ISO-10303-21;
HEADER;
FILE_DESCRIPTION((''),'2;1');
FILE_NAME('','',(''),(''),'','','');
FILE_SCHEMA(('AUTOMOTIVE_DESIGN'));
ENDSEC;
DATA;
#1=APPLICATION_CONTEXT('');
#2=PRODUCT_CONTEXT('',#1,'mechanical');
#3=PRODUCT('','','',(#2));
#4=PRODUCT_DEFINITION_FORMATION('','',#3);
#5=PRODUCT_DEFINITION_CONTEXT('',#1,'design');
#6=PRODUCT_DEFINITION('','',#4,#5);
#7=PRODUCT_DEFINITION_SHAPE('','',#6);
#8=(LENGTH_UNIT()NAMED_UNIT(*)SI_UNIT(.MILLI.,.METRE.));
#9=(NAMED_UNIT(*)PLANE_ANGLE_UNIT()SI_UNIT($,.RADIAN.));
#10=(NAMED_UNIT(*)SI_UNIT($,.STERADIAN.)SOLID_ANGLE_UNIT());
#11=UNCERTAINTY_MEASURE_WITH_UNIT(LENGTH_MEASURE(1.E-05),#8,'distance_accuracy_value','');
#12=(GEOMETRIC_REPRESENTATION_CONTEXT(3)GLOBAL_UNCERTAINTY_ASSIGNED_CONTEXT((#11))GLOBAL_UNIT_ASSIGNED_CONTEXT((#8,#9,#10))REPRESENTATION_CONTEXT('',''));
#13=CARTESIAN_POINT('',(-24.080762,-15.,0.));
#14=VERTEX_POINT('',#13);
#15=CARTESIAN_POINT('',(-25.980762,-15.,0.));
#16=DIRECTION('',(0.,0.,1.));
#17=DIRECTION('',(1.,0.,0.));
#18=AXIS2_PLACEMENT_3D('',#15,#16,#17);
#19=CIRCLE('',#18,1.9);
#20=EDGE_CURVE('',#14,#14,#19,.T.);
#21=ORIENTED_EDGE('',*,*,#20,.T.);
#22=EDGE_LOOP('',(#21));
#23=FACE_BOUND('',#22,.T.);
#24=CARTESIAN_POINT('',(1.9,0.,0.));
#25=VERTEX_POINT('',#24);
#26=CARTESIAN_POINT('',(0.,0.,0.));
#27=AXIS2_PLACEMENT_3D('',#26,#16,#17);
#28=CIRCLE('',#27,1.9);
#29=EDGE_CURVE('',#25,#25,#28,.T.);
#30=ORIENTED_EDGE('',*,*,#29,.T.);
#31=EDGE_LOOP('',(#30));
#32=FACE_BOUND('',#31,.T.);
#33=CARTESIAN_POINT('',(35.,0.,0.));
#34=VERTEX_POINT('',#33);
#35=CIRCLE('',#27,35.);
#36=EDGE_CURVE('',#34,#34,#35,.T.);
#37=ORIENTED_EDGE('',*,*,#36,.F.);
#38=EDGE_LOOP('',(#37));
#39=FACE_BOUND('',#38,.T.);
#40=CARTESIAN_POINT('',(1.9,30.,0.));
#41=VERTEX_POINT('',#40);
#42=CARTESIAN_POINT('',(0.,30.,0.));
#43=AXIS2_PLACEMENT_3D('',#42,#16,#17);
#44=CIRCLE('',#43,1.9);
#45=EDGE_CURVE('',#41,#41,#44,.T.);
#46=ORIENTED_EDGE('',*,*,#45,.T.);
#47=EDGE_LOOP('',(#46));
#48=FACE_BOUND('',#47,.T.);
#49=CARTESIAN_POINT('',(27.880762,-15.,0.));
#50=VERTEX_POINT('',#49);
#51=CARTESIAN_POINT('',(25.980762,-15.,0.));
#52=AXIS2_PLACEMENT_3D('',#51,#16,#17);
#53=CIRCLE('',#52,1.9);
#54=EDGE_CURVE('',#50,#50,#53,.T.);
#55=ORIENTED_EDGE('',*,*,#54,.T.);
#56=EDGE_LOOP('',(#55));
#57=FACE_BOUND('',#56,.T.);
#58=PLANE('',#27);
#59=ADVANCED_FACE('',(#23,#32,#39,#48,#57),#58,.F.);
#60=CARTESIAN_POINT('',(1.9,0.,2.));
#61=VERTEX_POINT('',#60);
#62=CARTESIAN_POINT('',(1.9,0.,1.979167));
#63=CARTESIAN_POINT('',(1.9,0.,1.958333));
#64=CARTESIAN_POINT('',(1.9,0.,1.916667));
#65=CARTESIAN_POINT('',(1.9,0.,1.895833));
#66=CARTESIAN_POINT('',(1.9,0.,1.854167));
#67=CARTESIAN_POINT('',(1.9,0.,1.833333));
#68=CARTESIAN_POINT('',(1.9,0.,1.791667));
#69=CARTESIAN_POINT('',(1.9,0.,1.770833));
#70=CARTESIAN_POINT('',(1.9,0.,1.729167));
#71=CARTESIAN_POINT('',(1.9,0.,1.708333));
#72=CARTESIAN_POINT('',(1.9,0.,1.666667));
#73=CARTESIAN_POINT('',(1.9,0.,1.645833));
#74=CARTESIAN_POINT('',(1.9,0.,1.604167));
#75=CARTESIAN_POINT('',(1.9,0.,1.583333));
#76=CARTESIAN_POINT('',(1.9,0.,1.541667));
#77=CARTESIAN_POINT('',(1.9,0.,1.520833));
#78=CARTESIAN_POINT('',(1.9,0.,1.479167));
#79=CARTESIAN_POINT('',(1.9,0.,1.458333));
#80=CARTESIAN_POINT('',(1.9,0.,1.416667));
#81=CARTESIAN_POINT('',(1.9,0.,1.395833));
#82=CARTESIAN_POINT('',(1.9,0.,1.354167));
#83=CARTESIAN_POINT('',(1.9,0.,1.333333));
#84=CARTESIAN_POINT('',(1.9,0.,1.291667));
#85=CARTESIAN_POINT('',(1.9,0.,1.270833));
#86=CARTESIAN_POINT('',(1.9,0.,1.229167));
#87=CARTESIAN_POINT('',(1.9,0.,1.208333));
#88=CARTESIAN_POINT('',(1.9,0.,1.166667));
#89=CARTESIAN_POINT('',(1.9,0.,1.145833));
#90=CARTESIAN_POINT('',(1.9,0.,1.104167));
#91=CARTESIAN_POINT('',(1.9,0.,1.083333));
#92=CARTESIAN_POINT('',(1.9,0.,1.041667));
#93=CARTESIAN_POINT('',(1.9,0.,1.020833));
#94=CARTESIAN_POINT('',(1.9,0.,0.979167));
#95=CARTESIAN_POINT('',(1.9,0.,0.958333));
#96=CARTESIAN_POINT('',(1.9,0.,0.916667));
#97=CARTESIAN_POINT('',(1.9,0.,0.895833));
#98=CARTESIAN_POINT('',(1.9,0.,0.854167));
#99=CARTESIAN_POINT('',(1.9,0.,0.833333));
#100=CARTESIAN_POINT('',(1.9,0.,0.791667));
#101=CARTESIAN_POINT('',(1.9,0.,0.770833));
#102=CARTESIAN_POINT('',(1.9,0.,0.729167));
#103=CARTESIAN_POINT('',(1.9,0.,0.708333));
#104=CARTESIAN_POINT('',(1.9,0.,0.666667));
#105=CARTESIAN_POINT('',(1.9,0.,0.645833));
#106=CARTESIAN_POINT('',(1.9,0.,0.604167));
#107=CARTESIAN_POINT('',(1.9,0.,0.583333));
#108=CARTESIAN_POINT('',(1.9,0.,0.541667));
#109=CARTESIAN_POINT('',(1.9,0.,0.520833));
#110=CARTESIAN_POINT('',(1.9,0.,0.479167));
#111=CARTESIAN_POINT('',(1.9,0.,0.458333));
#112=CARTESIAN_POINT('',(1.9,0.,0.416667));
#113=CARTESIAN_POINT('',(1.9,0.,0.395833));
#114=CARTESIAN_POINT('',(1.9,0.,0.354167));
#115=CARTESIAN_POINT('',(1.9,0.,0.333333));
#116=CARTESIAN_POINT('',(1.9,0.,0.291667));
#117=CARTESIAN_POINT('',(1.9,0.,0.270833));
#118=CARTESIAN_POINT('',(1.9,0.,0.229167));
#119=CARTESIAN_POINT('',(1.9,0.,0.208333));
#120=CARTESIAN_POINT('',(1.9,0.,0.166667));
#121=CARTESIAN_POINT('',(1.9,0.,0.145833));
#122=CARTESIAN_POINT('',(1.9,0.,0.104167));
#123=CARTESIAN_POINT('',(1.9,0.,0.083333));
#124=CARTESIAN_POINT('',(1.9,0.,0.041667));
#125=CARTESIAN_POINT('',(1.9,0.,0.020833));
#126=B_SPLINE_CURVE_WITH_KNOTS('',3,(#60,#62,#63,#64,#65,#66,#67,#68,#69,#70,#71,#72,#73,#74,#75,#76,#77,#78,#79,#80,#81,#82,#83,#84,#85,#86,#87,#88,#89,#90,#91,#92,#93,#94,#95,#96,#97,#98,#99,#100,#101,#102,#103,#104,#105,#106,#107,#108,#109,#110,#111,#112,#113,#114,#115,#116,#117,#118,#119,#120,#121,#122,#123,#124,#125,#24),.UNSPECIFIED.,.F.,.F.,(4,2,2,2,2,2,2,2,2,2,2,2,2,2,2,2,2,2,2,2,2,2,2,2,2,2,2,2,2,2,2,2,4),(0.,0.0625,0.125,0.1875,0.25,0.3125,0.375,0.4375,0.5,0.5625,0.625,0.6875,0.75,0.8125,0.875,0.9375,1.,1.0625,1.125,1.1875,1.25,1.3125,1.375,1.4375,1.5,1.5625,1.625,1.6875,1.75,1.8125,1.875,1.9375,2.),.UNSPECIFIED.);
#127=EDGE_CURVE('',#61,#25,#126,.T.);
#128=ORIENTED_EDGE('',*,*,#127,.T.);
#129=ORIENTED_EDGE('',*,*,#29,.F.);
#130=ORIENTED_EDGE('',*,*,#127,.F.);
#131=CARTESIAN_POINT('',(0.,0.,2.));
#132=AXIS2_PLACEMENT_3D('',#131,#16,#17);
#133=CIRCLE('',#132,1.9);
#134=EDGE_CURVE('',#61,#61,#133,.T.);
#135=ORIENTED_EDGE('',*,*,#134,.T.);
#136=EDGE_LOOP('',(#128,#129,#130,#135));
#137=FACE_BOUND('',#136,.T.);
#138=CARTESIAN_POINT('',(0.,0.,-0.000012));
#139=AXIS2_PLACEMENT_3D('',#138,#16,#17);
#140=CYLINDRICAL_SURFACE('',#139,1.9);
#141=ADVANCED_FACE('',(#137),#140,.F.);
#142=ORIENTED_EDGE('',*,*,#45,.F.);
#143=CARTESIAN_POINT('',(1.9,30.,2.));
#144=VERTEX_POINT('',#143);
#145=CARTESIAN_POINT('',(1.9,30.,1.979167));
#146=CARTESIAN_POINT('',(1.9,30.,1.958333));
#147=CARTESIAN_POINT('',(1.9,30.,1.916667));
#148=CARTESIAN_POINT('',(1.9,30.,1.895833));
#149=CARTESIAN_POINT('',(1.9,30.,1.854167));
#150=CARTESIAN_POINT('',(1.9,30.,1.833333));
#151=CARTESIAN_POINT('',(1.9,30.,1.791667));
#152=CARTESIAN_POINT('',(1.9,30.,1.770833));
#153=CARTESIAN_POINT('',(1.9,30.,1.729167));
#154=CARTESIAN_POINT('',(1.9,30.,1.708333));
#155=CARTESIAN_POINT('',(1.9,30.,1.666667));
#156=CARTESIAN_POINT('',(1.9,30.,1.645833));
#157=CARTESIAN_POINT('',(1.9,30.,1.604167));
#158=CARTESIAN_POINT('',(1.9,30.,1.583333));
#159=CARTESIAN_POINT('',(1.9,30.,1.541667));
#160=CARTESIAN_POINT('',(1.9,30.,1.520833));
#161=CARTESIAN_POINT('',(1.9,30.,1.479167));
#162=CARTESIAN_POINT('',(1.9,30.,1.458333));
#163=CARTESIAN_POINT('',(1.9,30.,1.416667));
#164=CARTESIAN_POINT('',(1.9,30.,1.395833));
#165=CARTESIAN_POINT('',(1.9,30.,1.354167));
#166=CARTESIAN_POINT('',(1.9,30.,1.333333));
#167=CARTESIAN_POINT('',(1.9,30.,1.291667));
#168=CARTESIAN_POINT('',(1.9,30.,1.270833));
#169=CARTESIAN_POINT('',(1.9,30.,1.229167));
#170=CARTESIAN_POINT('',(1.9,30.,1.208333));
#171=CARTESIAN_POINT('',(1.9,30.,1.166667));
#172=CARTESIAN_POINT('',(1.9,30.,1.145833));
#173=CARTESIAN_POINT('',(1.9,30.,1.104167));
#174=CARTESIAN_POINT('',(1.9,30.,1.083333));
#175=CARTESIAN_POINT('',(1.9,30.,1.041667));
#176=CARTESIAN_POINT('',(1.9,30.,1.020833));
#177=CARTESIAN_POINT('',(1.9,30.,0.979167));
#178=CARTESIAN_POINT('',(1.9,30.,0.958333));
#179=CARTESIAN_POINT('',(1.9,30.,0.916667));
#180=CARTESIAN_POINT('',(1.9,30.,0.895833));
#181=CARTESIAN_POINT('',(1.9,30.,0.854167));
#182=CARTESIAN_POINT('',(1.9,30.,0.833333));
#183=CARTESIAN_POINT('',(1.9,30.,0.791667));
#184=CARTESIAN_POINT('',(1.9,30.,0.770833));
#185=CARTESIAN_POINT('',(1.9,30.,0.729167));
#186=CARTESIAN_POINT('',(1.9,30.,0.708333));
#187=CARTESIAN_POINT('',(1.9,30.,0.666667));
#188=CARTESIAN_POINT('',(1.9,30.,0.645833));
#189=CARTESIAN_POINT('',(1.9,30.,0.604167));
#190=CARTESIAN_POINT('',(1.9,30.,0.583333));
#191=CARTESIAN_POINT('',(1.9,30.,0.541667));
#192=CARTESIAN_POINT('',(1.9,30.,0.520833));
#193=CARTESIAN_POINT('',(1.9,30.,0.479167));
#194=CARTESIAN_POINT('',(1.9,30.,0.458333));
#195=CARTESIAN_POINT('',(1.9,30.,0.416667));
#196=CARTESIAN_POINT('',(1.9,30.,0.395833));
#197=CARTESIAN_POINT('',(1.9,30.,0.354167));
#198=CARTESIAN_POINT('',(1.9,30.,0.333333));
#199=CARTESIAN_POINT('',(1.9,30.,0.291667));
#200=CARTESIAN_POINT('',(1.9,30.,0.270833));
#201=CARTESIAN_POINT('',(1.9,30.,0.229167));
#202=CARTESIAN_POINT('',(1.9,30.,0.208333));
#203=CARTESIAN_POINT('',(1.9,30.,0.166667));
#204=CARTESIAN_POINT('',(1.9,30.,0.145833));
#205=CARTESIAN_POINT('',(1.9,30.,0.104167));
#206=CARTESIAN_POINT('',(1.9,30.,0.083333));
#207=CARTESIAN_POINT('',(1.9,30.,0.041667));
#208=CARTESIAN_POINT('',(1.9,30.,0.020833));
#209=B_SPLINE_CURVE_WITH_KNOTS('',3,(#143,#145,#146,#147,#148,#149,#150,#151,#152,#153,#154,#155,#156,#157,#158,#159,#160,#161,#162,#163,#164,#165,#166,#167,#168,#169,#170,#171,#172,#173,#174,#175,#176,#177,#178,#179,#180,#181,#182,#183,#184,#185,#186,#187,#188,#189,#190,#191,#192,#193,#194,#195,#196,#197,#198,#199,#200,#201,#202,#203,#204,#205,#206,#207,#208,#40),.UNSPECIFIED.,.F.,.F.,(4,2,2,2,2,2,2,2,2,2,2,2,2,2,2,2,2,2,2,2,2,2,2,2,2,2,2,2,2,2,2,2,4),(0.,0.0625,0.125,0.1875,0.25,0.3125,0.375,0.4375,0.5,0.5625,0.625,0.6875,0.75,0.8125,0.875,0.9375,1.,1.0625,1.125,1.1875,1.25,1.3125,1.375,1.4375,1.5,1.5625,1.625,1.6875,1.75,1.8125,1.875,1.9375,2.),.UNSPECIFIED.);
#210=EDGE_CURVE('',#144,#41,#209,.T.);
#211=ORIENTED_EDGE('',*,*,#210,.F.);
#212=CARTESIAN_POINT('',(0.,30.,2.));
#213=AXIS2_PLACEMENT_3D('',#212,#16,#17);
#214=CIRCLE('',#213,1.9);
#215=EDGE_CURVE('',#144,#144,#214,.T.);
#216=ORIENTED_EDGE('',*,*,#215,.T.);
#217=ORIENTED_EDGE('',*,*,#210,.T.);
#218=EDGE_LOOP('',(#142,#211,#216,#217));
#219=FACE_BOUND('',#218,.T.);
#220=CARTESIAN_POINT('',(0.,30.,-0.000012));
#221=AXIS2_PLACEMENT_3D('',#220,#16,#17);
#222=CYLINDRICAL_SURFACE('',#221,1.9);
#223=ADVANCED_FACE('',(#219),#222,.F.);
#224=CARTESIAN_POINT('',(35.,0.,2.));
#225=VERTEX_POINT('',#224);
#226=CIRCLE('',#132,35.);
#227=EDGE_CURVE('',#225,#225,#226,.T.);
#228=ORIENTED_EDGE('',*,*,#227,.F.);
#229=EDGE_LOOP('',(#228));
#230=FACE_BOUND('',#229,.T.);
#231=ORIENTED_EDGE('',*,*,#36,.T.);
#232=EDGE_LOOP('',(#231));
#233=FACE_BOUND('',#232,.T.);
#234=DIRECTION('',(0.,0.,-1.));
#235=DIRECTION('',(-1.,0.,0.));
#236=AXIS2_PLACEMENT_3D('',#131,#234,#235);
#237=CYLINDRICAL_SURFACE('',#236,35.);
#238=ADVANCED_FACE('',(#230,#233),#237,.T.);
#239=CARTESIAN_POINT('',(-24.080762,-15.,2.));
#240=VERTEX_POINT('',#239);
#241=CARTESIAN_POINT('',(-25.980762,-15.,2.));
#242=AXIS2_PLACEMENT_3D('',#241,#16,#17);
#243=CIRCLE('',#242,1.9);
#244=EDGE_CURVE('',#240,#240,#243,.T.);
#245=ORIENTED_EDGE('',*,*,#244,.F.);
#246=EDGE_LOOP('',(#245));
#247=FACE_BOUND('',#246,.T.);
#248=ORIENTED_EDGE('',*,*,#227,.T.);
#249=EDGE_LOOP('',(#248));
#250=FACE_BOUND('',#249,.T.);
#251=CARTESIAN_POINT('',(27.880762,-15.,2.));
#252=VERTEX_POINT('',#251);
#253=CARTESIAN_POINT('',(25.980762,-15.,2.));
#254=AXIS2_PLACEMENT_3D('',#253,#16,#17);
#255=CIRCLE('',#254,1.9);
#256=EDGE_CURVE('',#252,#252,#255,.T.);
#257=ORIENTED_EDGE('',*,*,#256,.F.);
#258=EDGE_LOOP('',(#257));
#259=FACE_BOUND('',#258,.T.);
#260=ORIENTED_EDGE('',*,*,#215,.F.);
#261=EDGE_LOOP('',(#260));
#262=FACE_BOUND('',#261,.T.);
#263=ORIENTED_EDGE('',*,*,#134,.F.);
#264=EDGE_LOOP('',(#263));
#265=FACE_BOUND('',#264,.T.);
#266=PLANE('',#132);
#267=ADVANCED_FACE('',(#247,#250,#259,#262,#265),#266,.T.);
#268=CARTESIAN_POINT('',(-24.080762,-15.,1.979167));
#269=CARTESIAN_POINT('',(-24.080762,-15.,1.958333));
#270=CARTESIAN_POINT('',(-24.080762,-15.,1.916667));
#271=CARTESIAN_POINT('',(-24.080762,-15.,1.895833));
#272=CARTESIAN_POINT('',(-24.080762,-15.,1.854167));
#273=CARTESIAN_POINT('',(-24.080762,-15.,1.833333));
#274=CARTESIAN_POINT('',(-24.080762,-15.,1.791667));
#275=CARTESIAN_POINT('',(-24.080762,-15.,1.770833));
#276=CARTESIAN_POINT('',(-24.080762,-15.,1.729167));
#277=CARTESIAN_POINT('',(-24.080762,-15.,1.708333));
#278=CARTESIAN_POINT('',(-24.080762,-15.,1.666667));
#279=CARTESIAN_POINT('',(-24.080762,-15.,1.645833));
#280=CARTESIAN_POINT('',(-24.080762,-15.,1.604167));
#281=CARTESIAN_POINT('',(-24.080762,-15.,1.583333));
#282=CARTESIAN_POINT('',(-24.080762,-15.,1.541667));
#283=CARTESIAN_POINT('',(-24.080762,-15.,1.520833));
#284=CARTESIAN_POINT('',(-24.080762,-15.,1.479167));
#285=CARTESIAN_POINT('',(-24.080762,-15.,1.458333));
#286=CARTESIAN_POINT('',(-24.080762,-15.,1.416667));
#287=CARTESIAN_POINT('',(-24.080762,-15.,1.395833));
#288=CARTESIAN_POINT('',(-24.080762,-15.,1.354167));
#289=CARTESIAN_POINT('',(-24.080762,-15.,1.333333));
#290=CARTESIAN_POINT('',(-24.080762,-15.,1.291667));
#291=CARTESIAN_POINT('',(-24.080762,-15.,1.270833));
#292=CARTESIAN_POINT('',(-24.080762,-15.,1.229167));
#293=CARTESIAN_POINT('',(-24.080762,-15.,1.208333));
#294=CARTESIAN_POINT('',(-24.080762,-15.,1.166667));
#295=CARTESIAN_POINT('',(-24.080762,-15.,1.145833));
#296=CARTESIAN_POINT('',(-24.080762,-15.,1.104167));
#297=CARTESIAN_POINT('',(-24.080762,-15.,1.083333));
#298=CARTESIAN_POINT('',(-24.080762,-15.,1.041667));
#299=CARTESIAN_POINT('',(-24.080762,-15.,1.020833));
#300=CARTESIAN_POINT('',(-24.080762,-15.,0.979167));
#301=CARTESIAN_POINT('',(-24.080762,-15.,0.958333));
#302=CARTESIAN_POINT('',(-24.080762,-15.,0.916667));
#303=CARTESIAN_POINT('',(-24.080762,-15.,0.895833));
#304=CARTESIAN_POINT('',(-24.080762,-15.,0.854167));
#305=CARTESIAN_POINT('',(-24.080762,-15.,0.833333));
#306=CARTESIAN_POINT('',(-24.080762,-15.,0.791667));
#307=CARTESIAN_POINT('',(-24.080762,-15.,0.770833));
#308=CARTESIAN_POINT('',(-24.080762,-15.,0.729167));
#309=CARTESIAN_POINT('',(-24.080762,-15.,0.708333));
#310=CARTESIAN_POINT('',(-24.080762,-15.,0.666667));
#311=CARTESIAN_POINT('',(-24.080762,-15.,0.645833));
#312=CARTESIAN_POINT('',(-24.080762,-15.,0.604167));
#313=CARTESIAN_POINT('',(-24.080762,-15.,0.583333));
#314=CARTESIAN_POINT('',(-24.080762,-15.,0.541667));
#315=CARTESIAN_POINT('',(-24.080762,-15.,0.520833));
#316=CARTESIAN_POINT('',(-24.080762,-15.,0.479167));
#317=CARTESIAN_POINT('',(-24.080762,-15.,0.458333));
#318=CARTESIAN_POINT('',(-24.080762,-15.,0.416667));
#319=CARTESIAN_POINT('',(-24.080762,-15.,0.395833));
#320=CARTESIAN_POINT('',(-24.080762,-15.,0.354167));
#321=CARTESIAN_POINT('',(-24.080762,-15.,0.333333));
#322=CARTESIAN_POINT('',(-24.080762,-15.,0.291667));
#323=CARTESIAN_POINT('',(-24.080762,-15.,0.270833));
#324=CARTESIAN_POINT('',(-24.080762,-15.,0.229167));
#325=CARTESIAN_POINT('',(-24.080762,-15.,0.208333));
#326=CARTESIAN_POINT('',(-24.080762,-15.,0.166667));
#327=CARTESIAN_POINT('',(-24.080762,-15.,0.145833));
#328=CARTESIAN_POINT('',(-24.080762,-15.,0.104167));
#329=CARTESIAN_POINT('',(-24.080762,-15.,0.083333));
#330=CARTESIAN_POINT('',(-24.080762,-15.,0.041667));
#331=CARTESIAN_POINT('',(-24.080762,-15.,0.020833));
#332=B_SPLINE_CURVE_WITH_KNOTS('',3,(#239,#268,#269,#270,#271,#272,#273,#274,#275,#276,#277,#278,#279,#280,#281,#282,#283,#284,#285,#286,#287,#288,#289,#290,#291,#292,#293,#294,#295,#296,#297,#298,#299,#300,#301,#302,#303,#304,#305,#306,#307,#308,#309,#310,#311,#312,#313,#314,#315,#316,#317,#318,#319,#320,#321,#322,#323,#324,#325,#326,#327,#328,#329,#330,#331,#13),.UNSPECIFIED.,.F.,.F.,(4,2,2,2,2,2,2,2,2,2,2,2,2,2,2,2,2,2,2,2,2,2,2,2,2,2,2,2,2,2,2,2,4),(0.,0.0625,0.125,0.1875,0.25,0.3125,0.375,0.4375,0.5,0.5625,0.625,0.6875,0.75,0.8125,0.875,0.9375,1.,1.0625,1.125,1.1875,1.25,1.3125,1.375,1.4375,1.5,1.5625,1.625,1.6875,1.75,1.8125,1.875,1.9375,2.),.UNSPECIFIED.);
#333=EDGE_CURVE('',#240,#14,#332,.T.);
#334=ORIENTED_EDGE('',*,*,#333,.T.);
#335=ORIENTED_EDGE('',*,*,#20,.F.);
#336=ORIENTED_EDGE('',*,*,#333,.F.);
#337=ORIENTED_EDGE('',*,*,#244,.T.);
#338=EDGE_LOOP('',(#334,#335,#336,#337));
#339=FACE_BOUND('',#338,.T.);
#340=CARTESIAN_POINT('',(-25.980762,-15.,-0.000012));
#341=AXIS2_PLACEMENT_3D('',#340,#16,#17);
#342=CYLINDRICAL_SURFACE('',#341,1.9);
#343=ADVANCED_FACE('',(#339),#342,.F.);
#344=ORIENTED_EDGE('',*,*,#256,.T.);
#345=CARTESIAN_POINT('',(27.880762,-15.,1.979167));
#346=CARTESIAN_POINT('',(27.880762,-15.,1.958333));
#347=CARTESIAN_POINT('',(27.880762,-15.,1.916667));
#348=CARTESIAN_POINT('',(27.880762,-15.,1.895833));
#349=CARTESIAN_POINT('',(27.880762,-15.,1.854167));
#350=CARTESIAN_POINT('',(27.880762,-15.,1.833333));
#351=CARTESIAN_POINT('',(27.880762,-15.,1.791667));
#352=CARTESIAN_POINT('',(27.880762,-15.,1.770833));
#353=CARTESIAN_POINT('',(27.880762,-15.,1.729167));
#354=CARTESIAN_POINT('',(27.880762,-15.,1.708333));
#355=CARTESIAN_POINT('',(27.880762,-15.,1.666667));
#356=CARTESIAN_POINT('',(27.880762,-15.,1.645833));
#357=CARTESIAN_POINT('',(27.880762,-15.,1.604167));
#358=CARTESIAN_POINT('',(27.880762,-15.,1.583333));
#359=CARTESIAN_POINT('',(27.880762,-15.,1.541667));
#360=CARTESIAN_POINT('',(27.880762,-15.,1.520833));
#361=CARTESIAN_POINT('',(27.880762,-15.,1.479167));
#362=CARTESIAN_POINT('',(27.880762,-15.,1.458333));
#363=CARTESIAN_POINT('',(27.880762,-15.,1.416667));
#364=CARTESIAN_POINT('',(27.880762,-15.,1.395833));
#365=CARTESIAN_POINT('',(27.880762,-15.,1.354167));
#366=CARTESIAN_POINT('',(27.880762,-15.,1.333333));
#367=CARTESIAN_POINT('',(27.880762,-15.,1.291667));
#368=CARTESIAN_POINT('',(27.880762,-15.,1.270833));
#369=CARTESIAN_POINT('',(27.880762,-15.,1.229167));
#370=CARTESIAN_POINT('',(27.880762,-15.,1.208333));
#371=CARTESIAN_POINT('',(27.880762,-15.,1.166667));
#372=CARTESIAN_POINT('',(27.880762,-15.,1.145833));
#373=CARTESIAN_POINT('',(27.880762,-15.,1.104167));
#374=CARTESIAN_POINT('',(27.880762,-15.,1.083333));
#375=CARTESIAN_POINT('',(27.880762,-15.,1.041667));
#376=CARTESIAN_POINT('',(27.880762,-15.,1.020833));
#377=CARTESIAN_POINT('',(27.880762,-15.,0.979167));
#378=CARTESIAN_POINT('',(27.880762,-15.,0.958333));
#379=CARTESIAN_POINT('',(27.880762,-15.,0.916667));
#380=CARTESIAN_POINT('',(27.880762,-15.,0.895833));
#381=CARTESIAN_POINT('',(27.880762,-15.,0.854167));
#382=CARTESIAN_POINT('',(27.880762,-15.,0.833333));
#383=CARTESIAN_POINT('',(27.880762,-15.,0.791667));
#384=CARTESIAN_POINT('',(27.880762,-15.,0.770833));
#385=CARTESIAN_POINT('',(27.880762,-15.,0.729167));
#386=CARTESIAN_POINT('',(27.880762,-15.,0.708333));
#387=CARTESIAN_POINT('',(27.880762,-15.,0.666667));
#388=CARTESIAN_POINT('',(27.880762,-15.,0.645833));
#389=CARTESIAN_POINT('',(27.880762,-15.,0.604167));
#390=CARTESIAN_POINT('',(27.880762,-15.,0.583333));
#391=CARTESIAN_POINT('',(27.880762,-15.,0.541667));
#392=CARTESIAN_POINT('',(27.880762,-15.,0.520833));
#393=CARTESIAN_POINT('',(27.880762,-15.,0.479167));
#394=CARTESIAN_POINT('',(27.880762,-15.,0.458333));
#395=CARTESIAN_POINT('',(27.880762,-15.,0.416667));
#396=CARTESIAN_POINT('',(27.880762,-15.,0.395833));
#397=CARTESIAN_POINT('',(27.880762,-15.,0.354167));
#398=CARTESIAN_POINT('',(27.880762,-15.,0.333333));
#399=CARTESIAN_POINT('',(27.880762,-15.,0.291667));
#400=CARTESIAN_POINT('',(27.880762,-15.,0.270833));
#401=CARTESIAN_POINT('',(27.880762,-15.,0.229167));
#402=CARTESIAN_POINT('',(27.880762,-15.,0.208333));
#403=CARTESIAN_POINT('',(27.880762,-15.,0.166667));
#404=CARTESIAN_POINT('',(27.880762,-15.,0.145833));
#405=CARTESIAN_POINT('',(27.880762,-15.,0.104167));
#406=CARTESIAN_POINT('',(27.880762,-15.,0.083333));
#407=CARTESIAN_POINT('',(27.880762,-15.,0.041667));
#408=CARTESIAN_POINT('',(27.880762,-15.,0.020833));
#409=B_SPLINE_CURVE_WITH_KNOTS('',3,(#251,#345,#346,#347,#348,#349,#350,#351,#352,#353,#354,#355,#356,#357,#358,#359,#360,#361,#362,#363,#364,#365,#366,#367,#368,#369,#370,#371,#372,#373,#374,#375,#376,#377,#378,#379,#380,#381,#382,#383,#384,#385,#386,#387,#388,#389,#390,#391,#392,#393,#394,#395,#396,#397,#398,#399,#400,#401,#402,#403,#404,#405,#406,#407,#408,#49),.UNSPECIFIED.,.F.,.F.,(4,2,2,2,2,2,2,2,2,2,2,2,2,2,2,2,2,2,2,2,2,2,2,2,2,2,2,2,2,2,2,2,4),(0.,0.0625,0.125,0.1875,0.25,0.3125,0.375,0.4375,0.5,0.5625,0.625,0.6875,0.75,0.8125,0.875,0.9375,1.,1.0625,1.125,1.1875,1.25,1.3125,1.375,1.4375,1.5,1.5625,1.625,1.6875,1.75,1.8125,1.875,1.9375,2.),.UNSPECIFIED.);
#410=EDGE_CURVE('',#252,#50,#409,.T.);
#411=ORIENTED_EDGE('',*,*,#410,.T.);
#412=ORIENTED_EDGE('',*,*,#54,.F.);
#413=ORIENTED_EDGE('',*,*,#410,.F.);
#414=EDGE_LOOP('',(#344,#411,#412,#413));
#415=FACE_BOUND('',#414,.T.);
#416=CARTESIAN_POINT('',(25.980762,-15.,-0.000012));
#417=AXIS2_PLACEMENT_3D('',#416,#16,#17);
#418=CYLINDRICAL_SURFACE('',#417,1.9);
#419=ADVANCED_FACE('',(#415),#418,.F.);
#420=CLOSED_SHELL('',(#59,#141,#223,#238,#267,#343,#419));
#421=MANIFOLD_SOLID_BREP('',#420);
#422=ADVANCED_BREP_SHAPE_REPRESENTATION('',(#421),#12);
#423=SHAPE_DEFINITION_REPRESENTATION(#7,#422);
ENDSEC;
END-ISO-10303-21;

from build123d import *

# Parameters (mm, degrees)
SKETCH_1_R               = 35
EXTRUDE_1_DEPTH          = 2
CUT_EXTRUDE_1_DEPTH      = 50.537864306
CUT_EXTRUDE_1_DEPTH_BACK = 50.537864306
SKETCH_2_R               = 1.9


with BuildPart() as part:
    # ｽｹｯﾁ1 → ﾎﾞｽ - 押し出し1 (new body)
    with BuildSketch(Plane.XY):
        Circle(SKETCH_1_R)
    extrude(amount=EXTRUDE_1_DEPTH)

    # ｽｹｯﾁ2 → ｶｯﾄ - 押し出し1 (cut, two sides: drawn at the far end of the back side and taken through both)
    with BuildSketch(Plane.XY.offset(-CUT_EXTRUDE_1_DEPTH_BACK)):
        with Locations((0, 30)):
            Circle(SKETCH_2_R)
        with Locations((25.980762114, -15)):
            Circle(SKETCH_2_R)
        with Locations((-25.980762114, -15)):
            Circle(SKETCH_2_R)
        Circle(SKETCH_2_R)
    extrude(amount=CUT_EXTRUDE_1_DEPTH + CUT_EXTRUDE_1_DEPTH_BACK, mode=Mode.SUBTRACT)


solid = part.part
